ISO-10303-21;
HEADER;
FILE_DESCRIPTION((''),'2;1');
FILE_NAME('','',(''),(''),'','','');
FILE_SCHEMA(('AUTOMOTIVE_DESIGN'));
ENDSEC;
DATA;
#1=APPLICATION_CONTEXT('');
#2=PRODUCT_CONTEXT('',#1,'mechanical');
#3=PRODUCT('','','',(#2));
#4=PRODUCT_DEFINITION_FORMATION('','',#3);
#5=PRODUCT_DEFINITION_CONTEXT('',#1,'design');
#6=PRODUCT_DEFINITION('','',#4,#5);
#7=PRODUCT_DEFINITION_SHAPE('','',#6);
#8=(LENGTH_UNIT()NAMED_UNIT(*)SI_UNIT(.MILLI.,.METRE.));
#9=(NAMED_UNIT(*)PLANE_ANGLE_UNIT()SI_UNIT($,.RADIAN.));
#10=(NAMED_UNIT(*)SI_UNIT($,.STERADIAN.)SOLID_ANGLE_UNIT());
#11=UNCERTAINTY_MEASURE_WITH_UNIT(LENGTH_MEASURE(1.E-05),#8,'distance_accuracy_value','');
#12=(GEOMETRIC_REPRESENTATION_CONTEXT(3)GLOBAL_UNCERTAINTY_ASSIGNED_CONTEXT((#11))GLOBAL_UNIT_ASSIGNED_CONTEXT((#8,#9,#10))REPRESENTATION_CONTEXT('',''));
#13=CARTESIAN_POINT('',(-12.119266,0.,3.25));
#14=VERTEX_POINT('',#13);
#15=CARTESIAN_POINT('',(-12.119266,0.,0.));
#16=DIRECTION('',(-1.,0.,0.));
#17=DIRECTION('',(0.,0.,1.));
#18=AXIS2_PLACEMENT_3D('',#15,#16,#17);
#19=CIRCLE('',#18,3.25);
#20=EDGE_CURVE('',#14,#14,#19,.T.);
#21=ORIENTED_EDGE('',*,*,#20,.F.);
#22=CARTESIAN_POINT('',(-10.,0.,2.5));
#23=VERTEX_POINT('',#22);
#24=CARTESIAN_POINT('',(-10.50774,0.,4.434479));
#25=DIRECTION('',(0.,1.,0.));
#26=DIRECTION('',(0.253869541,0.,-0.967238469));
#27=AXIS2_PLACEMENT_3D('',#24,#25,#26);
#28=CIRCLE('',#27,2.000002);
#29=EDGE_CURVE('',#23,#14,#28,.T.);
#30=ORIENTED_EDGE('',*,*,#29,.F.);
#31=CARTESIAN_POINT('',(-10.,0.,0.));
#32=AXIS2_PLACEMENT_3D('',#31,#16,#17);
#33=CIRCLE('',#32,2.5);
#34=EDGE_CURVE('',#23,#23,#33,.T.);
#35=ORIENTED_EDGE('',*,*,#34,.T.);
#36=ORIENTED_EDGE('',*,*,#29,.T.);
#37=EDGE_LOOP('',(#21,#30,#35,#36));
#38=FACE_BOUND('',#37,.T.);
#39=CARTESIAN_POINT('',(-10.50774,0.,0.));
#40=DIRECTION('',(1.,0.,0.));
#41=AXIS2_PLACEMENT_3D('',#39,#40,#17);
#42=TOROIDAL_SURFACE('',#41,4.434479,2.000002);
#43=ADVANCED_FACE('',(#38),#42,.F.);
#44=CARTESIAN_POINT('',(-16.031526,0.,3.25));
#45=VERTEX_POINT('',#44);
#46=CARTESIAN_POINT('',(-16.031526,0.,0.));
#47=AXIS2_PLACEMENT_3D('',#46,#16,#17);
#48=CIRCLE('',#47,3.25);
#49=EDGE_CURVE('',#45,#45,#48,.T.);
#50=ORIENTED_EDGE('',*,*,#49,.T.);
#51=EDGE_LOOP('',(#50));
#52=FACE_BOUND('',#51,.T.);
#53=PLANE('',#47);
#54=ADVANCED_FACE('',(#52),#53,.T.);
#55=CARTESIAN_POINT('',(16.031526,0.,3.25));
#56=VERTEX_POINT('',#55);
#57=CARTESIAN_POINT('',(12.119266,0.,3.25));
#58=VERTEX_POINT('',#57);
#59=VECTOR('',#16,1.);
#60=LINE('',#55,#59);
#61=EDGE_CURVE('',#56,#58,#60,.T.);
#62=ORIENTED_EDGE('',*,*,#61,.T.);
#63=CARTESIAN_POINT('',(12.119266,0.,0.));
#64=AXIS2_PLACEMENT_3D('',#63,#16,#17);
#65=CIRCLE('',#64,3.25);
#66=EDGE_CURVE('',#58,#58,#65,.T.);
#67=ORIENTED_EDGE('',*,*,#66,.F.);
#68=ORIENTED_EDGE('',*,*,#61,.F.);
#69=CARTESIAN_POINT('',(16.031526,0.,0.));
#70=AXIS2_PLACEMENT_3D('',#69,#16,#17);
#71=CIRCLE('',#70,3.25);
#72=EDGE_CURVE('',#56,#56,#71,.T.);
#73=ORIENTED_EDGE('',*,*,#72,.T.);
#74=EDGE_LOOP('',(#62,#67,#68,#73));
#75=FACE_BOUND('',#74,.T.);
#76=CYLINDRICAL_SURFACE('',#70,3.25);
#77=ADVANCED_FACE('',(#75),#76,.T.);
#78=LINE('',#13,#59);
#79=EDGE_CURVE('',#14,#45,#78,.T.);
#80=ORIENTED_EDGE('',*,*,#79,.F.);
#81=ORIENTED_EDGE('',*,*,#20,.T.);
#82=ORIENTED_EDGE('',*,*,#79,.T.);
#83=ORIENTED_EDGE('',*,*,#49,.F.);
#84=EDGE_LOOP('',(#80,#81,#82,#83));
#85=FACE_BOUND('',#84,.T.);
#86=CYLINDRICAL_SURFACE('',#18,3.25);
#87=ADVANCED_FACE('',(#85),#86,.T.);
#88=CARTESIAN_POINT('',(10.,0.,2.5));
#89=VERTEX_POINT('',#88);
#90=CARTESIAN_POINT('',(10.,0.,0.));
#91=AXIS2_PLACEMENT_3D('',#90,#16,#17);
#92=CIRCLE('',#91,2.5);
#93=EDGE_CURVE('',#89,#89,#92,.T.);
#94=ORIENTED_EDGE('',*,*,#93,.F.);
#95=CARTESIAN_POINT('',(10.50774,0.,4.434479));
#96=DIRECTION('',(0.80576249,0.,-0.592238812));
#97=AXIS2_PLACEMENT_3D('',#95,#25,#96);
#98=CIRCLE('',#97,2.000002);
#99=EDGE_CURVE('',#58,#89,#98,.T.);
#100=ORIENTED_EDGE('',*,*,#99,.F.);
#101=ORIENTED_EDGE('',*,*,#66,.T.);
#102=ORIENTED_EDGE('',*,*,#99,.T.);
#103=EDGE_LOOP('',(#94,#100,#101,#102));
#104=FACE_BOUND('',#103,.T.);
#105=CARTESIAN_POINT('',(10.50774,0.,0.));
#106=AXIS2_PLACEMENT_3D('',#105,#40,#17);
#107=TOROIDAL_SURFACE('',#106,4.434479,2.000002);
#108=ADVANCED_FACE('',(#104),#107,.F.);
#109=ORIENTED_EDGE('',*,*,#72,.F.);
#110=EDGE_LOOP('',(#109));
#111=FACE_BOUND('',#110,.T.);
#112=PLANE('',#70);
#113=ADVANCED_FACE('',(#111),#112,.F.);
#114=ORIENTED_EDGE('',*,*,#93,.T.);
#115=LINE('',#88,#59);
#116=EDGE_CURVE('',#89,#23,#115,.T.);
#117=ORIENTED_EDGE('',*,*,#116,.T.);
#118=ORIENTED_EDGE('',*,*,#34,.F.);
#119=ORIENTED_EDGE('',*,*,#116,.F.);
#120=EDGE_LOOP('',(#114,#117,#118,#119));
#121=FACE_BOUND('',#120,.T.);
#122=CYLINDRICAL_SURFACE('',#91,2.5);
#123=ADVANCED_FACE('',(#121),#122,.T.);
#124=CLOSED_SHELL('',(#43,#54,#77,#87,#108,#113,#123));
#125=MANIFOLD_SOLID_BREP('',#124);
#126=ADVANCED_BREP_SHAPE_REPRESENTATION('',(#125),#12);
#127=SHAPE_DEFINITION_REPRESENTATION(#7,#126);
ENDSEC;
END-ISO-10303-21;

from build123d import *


with BuildPart() as f1:
    # F0 (on Front) → F1 (revolve)
    with BuildSketch(Plane.XZ):
        with BuildLine():
            Line((-16.031526, 0), (0, 0))
            Line((0, 0), (16.031526, 0))
            Line((16.031526, 0), (16.031526, 3.25))
            Line((16.031526, 3.25), (12.119266, 3.25))
            ThreePointArc((12.119266, 3.25), (11.174981, 2.549062), (10, 2.5))
            Line((10, 2.5), (0, 2.5))
            Line((0, 2.5), (-10, 2.5))
            ThreePointArc((-10, 2.5), (-11.174981, 2.549062), (-12.119266, 3.25))
            Line((-12.119266, 3.25), (-16.031526, 3.25))
            Line((-16.031526, 3.25), (-16.031526, 0))
        make_face()
    revolve(axis=Axis((-8.015763, 0, 0), (-1, 0, 0)))


solid = f1.part
